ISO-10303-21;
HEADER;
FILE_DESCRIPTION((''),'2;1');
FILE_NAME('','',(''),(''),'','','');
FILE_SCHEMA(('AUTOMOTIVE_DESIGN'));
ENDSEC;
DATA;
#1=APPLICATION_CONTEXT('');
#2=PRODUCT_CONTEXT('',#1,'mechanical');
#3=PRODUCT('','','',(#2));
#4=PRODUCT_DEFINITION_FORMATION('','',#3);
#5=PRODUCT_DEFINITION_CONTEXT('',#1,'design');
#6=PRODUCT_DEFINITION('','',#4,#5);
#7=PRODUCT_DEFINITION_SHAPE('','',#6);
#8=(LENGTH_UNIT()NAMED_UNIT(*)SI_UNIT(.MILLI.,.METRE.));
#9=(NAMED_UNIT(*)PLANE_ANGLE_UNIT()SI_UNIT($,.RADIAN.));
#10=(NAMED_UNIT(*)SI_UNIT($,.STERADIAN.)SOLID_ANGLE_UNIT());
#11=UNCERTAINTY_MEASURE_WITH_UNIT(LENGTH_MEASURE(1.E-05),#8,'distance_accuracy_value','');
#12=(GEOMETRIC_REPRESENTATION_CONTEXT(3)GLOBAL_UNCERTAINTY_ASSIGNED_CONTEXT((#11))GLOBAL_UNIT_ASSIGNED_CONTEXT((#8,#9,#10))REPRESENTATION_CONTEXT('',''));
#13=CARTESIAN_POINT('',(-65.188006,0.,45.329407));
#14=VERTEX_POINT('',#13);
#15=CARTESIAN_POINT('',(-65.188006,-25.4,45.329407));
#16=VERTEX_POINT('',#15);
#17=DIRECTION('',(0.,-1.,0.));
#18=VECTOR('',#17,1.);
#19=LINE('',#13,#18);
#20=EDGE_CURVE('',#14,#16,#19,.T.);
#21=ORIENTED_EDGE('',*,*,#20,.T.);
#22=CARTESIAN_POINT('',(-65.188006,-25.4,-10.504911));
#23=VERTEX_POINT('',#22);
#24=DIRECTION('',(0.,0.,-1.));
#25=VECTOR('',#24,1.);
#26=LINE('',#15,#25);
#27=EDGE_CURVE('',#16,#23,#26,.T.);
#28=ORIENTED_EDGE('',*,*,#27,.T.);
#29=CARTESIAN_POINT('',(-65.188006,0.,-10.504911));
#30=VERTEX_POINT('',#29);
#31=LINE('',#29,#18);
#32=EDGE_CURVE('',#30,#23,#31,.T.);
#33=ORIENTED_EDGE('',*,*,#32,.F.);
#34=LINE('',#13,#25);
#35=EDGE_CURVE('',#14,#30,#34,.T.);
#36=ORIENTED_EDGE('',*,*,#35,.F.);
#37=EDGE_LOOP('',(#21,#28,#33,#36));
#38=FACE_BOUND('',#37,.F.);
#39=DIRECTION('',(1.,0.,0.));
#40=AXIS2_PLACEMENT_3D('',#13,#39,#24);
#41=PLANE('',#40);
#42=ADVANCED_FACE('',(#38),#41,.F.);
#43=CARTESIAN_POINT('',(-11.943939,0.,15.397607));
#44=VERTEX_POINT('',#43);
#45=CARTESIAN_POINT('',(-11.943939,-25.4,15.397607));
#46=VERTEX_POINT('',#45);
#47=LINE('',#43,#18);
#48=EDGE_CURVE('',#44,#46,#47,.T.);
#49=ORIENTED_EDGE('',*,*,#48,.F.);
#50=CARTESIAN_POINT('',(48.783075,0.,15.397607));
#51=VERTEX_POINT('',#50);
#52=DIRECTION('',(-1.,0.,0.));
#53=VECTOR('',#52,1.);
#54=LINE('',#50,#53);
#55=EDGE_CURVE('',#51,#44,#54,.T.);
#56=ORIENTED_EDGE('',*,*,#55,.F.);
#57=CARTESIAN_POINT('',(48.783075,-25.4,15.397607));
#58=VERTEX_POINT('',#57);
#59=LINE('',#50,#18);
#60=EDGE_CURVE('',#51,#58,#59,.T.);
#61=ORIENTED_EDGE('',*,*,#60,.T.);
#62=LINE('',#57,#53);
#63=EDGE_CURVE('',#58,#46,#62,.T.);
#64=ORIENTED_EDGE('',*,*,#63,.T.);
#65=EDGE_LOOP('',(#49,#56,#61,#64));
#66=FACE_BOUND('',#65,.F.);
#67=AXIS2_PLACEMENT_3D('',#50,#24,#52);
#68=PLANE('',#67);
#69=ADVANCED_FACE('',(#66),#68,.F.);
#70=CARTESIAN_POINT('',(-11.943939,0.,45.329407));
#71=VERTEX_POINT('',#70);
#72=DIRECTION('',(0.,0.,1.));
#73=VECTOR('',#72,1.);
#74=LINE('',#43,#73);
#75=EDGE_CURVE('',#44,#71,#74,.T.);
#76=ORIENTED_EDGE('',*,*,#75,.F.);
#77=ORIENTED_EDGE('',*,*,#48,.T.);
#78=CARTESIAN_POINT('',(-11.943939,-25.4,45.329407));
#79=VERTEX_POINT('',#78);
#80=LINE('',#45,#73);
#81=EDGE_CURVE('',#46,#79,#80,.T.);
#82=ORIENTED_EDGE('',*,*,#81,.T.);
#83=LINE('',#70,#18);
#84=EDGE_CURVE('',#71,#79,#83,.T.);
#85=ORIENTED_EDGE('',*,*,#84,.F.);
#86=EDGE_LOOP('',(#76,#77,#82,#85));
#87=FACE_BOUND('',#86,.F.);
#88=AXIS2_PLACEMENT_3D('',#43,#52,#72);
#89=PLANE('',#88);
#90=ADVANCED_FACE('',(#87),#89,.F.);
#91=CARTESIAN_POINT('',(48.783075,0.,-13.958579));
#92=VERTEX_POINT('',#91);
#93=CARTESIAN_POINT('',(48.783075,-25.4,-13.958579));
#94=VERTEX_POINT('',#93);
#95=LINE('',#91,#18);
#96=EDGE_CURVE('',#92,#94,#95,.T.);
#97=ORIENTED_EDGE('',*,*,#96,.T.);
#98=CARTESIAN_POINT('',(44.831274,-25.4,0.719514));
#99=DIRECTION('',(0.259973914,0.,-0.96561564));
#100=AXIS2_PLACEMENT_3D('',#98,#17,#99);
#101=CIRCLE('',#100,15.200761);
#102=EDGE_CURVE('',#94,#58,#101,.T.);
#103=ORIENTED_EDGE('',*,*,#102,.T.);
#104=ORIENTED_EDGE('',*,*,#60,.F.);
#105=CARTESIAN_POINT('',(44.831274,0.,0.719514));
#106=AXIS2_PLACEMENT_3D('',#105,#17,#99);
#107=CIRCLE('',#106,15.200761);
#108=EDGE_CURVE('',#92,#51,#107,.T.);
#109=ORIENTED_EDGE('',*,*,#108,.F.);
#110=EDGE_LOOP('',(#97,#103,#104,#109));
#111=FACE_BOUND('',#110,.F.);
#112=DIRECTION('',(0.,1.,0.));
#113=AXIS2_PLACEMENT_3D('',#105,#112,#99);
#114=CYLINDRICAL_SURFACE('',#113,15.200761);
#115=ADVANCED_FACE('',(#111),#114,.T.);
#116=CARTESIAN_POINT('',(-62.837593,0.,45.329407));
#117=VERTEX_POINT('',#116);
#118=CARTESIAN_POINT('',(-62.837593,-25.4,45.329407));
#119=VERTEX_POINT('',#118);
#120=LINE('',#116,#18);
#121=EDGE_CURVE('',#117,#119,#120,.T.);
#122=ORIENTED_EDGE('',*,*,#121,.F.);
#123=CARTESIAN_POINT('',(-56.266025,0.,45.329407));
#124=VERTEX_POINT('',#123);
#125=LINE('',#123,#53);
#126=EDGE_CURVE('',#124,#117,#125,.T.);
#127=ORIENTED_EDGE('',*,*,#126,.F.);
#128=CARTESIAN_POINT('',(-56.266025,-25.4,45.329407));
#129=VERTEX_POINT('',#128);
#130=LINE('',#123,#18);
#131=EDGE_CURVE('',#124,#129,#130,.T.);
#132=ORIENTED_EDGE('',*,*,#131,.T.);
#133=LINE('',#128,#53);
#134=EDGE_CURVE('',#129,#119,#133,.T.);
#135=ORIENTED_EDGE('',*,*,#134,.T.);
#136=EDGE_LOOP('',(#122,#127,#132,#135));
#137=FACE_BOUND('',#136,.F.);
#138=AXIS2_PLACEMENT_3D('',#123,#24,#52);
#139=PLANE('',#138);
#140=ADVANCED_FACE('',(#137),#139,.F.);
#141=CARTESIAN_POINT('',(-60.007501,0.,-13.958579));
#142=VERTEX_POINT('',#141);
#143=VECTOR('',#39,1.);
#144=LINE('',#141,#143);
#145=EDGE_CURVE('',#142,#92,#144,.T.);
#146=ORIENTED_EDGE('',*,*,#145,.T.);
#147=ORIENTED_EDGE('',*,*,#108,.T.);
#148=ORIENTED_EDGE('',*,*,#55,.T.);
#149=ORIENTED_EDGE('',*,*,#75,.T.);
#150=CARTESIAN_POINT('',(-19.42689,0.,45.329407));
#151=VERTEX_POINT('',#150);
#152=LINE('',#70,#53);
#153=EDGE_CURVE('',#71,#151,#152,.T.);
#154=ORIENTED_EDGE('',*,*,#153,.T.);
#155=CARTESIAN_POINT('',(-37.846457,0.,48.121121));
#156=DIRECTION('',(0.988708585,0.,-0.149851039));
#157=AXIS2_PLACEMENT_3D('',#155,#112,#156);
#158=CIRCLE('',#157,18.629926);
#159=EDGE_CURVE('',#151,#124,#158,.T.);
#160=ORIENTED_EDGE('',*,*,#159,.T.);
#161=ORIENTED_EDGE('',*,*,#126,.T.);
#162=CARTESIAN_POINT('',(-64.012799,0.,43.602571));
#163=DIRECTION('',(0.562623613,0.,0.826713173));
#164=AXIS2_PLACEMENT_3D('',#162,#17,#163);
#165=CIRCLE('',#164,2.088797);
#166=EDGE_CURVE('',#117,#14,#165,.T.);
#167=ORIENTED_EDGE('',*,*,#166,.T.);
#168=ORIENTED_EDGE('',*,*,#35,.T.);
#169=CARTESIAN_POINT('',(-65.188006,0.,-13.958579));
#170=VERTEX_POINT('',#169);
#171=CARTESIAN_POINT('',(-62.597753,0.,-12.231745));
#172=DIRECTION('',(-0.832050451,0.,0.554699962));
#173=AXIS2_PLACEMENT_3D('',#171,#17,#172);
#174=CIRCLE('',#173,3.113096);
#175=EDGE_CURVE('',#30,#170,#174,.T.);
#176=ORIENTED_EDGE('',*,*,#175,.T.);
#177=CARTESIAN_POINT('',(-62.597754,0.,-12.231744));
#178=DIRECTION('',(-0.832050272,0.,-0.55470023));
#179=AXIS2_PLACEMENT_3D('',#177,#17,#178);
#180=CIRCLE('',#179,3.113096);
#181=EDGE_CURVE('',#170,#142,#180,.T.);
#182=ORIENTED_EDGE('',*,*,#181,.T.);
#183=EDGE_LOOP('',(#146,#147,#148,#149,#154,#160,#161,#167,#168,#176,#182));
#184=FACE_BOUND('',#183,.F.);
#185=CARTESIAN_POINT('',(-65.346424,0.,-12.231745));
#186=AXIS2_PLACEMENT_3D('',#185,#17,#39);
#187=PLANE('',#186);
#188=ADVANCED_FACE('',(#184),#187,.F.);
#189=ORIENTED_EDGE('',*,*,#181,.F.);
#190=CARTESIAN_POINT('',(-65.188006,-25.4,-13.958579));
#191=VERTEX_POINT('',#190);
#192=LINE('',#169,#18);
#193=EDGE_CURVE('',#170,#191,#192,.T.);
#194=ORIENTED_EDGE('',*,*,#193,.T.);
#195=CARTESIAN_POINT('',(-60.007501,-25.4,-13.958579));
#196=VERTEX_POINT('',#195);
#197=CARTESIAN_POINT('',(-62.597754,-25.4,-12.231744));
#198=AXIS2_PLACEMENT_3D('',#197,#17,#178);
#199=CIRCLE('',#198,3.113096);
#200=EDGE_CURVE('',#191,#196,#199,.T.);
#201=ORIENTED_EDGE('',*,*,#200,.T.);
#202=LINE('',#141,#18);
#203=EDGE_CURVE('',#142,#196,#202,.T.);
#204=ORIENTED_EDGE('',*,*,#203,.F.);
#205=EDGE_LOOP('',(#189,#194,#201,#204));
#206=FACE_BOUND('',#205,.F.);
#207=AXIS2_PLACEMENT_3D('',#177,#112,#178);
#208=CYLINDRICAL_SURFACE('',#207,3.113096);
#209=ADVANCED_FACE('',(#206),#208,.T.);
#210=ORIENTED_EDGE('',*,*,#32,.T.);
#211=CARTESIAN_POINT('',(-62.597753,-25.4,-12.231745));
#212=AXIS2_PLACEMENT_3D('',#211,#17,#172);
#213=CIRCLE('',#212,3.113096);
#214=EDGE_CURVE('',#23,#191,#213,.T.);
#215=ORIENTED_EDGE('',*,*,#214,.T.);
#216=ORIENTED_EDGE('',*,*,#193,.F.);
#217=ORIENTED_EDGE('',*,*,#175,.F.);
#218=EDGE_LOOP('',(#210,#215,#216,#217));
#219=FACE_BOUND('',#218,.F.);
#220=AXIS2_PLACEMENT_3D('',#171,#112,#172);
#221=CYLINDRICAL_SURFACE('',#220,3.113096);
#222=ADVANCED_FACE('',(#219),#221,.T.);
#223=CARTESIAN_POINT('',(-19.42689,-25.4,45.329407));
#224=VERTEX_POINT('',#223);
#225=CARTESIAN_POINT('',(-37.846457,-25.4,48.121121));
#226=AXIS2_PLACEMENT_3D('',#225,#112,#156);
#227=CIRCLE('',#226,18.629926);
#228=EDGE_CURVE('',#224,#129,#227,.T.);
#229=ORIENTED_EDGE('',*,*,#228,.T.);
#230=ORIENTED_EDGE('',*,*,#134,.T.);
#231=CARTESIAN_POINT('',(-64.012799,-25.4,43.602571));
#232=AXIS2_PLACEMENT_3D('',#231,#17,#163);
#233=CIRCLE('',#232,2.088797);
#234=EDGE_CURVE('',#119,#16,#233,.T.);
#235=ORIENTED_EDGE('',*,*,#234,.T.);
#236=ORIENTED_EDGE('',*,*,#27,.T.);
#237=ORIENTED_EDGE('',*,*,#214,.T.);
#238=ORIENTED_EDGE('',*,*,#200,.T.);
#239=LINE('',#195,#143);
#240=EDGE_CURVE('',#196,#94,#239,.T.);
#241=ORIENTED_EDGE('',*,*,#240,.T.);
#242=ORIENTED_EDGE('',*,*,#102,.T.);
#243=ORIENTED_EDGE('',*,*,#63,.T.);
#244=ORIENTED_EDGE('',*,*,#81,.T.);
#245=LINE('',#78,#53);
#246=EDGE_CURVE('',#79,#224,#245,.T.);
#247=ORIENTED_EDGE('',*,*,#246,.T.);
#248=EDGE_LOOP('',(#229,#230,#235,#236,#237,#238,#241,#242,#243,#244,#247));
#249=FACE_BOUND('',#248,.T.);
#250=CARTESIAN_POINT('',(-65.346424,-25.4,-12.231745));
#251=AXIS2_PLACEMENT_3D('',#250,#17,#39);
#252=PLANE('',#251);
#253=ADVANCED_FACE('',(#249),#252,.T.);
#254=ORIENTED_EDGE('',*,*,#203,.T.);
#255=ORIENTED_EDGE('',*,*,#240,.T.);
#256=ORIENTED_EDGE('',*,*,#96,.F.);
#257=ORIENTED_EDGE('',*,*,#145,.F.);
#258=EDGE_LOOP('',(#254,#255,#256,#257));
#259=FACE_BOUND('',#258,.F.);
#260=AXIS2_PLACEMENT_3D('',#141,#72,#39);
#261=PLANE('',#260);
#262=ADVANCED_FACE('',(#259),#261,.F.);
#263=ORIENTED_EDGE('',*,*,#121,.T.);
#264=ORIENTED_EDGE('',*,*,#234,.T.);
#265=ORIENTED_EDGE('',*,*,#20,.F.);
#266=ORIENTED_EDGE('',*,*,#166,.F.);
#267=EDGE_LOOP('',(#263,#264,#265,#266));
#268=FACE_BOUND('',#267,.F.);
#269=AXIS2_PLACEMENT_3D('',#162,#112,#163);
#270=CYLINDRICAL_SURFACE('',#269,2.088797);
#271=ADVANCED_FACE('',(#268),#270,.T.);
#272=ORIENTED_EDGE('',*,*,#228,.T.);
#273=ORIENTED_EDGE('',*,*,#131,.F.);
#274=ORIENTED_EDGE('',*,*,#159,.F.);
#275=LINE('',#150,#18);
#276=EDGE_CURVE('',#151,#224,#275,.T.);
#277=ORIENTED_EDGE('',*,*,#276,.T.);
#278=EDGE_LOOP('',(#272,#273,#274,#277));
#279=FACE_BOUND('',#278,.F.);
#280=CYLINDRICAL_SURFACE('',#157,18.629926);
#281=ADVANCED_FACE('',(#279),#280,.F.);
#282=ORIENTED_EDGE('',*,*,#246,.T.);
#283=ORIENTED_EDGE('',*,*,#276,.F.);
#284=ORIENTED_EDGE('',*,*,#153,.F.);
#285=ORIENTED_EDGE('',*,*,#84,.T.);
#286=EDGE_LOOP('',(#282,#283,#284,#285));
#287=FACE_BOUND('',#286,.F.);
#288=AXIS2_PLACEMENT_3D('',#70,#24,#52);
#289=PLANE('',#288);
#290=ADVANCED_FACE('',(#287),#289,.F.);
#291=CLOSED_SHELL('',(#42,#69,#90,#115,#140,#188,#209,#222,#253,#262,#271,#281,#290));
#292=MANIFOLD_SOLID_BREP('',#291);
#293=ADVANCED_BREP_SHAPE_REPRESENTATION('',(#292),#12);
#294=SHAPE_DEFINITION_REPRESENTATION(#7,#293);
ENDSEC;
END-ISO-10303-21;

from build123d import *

# Parameters (mm, degrees)
F1_DEPTH = 25.4


with BuildPart() as f1:
    # F0 (on Front) → F1 (new body)
    with BuildSketch(Plane.XZ):
        with BuildLine():
            ThreePointArc((-65.188006, -10.504911), (-65.710849, -12.231745), (-65.188006, -13.958579))
            Line((-65.188006, -13.958579), (-65.188006, -10.504911))
        make_face()
        with BuildLine():
            Line((-65.188006, -10.504911), (-65.188006, -13.958579))
            ThreePointArc((-65.188006, -13.958579), (-62.597753, -15.34484), (-60.007501, -13.958579))
            Line((-60.007501, -13.958579), (48.783075, -13.958579))
            ThreePointArc((48.783075, -13.958579), (60.032035, 0.719514), (48.783075, 15.397607))
            Line((48.783075, 15.397607), (-11.943939, 15.397607))
            Line((-11.943939, 15.397607), (-11.943939, 45.329407))
            Line((-11.943939, 45.329407), (-19.42689, 45.329407))
            ThreePointArc((-19.42689, 45.329407), (-37.846457, 29.491195), (-56.266025, 45.329407))
            Line((-56.266025, 45.329407), (-62.837593, 45.329407))
            ThreePointArc((-62.837593, 45.329407), (-62.285965, 42.427367), (-65.188006, 41.875739))
            Line((-65.188006, 41.875739), (-65.188006, -10.504911))
        make_face()
        with BuildLine():
            Line((-65.188006, 45.329407), (-65.188006, 41.875739))
            ThreePointArc((-65.188006, 41.875739), (-62.285965, 42.427367), (-62.837593, 45.329407))
            Line((-62.837593, 45.329407), (-65.188006, 45.329407))
        make_face()
        with BuildLine():
            ThreePointArc((-62.837593, 45.329407), (-64.0128, 45.691368), (-65.188006, 45.329407))
            Line((-65.188006, 45.329407), (-62.837593, 45.329407))
        make_face()
    extrude(amount=F1_DEPTH)


solid = f1.part
